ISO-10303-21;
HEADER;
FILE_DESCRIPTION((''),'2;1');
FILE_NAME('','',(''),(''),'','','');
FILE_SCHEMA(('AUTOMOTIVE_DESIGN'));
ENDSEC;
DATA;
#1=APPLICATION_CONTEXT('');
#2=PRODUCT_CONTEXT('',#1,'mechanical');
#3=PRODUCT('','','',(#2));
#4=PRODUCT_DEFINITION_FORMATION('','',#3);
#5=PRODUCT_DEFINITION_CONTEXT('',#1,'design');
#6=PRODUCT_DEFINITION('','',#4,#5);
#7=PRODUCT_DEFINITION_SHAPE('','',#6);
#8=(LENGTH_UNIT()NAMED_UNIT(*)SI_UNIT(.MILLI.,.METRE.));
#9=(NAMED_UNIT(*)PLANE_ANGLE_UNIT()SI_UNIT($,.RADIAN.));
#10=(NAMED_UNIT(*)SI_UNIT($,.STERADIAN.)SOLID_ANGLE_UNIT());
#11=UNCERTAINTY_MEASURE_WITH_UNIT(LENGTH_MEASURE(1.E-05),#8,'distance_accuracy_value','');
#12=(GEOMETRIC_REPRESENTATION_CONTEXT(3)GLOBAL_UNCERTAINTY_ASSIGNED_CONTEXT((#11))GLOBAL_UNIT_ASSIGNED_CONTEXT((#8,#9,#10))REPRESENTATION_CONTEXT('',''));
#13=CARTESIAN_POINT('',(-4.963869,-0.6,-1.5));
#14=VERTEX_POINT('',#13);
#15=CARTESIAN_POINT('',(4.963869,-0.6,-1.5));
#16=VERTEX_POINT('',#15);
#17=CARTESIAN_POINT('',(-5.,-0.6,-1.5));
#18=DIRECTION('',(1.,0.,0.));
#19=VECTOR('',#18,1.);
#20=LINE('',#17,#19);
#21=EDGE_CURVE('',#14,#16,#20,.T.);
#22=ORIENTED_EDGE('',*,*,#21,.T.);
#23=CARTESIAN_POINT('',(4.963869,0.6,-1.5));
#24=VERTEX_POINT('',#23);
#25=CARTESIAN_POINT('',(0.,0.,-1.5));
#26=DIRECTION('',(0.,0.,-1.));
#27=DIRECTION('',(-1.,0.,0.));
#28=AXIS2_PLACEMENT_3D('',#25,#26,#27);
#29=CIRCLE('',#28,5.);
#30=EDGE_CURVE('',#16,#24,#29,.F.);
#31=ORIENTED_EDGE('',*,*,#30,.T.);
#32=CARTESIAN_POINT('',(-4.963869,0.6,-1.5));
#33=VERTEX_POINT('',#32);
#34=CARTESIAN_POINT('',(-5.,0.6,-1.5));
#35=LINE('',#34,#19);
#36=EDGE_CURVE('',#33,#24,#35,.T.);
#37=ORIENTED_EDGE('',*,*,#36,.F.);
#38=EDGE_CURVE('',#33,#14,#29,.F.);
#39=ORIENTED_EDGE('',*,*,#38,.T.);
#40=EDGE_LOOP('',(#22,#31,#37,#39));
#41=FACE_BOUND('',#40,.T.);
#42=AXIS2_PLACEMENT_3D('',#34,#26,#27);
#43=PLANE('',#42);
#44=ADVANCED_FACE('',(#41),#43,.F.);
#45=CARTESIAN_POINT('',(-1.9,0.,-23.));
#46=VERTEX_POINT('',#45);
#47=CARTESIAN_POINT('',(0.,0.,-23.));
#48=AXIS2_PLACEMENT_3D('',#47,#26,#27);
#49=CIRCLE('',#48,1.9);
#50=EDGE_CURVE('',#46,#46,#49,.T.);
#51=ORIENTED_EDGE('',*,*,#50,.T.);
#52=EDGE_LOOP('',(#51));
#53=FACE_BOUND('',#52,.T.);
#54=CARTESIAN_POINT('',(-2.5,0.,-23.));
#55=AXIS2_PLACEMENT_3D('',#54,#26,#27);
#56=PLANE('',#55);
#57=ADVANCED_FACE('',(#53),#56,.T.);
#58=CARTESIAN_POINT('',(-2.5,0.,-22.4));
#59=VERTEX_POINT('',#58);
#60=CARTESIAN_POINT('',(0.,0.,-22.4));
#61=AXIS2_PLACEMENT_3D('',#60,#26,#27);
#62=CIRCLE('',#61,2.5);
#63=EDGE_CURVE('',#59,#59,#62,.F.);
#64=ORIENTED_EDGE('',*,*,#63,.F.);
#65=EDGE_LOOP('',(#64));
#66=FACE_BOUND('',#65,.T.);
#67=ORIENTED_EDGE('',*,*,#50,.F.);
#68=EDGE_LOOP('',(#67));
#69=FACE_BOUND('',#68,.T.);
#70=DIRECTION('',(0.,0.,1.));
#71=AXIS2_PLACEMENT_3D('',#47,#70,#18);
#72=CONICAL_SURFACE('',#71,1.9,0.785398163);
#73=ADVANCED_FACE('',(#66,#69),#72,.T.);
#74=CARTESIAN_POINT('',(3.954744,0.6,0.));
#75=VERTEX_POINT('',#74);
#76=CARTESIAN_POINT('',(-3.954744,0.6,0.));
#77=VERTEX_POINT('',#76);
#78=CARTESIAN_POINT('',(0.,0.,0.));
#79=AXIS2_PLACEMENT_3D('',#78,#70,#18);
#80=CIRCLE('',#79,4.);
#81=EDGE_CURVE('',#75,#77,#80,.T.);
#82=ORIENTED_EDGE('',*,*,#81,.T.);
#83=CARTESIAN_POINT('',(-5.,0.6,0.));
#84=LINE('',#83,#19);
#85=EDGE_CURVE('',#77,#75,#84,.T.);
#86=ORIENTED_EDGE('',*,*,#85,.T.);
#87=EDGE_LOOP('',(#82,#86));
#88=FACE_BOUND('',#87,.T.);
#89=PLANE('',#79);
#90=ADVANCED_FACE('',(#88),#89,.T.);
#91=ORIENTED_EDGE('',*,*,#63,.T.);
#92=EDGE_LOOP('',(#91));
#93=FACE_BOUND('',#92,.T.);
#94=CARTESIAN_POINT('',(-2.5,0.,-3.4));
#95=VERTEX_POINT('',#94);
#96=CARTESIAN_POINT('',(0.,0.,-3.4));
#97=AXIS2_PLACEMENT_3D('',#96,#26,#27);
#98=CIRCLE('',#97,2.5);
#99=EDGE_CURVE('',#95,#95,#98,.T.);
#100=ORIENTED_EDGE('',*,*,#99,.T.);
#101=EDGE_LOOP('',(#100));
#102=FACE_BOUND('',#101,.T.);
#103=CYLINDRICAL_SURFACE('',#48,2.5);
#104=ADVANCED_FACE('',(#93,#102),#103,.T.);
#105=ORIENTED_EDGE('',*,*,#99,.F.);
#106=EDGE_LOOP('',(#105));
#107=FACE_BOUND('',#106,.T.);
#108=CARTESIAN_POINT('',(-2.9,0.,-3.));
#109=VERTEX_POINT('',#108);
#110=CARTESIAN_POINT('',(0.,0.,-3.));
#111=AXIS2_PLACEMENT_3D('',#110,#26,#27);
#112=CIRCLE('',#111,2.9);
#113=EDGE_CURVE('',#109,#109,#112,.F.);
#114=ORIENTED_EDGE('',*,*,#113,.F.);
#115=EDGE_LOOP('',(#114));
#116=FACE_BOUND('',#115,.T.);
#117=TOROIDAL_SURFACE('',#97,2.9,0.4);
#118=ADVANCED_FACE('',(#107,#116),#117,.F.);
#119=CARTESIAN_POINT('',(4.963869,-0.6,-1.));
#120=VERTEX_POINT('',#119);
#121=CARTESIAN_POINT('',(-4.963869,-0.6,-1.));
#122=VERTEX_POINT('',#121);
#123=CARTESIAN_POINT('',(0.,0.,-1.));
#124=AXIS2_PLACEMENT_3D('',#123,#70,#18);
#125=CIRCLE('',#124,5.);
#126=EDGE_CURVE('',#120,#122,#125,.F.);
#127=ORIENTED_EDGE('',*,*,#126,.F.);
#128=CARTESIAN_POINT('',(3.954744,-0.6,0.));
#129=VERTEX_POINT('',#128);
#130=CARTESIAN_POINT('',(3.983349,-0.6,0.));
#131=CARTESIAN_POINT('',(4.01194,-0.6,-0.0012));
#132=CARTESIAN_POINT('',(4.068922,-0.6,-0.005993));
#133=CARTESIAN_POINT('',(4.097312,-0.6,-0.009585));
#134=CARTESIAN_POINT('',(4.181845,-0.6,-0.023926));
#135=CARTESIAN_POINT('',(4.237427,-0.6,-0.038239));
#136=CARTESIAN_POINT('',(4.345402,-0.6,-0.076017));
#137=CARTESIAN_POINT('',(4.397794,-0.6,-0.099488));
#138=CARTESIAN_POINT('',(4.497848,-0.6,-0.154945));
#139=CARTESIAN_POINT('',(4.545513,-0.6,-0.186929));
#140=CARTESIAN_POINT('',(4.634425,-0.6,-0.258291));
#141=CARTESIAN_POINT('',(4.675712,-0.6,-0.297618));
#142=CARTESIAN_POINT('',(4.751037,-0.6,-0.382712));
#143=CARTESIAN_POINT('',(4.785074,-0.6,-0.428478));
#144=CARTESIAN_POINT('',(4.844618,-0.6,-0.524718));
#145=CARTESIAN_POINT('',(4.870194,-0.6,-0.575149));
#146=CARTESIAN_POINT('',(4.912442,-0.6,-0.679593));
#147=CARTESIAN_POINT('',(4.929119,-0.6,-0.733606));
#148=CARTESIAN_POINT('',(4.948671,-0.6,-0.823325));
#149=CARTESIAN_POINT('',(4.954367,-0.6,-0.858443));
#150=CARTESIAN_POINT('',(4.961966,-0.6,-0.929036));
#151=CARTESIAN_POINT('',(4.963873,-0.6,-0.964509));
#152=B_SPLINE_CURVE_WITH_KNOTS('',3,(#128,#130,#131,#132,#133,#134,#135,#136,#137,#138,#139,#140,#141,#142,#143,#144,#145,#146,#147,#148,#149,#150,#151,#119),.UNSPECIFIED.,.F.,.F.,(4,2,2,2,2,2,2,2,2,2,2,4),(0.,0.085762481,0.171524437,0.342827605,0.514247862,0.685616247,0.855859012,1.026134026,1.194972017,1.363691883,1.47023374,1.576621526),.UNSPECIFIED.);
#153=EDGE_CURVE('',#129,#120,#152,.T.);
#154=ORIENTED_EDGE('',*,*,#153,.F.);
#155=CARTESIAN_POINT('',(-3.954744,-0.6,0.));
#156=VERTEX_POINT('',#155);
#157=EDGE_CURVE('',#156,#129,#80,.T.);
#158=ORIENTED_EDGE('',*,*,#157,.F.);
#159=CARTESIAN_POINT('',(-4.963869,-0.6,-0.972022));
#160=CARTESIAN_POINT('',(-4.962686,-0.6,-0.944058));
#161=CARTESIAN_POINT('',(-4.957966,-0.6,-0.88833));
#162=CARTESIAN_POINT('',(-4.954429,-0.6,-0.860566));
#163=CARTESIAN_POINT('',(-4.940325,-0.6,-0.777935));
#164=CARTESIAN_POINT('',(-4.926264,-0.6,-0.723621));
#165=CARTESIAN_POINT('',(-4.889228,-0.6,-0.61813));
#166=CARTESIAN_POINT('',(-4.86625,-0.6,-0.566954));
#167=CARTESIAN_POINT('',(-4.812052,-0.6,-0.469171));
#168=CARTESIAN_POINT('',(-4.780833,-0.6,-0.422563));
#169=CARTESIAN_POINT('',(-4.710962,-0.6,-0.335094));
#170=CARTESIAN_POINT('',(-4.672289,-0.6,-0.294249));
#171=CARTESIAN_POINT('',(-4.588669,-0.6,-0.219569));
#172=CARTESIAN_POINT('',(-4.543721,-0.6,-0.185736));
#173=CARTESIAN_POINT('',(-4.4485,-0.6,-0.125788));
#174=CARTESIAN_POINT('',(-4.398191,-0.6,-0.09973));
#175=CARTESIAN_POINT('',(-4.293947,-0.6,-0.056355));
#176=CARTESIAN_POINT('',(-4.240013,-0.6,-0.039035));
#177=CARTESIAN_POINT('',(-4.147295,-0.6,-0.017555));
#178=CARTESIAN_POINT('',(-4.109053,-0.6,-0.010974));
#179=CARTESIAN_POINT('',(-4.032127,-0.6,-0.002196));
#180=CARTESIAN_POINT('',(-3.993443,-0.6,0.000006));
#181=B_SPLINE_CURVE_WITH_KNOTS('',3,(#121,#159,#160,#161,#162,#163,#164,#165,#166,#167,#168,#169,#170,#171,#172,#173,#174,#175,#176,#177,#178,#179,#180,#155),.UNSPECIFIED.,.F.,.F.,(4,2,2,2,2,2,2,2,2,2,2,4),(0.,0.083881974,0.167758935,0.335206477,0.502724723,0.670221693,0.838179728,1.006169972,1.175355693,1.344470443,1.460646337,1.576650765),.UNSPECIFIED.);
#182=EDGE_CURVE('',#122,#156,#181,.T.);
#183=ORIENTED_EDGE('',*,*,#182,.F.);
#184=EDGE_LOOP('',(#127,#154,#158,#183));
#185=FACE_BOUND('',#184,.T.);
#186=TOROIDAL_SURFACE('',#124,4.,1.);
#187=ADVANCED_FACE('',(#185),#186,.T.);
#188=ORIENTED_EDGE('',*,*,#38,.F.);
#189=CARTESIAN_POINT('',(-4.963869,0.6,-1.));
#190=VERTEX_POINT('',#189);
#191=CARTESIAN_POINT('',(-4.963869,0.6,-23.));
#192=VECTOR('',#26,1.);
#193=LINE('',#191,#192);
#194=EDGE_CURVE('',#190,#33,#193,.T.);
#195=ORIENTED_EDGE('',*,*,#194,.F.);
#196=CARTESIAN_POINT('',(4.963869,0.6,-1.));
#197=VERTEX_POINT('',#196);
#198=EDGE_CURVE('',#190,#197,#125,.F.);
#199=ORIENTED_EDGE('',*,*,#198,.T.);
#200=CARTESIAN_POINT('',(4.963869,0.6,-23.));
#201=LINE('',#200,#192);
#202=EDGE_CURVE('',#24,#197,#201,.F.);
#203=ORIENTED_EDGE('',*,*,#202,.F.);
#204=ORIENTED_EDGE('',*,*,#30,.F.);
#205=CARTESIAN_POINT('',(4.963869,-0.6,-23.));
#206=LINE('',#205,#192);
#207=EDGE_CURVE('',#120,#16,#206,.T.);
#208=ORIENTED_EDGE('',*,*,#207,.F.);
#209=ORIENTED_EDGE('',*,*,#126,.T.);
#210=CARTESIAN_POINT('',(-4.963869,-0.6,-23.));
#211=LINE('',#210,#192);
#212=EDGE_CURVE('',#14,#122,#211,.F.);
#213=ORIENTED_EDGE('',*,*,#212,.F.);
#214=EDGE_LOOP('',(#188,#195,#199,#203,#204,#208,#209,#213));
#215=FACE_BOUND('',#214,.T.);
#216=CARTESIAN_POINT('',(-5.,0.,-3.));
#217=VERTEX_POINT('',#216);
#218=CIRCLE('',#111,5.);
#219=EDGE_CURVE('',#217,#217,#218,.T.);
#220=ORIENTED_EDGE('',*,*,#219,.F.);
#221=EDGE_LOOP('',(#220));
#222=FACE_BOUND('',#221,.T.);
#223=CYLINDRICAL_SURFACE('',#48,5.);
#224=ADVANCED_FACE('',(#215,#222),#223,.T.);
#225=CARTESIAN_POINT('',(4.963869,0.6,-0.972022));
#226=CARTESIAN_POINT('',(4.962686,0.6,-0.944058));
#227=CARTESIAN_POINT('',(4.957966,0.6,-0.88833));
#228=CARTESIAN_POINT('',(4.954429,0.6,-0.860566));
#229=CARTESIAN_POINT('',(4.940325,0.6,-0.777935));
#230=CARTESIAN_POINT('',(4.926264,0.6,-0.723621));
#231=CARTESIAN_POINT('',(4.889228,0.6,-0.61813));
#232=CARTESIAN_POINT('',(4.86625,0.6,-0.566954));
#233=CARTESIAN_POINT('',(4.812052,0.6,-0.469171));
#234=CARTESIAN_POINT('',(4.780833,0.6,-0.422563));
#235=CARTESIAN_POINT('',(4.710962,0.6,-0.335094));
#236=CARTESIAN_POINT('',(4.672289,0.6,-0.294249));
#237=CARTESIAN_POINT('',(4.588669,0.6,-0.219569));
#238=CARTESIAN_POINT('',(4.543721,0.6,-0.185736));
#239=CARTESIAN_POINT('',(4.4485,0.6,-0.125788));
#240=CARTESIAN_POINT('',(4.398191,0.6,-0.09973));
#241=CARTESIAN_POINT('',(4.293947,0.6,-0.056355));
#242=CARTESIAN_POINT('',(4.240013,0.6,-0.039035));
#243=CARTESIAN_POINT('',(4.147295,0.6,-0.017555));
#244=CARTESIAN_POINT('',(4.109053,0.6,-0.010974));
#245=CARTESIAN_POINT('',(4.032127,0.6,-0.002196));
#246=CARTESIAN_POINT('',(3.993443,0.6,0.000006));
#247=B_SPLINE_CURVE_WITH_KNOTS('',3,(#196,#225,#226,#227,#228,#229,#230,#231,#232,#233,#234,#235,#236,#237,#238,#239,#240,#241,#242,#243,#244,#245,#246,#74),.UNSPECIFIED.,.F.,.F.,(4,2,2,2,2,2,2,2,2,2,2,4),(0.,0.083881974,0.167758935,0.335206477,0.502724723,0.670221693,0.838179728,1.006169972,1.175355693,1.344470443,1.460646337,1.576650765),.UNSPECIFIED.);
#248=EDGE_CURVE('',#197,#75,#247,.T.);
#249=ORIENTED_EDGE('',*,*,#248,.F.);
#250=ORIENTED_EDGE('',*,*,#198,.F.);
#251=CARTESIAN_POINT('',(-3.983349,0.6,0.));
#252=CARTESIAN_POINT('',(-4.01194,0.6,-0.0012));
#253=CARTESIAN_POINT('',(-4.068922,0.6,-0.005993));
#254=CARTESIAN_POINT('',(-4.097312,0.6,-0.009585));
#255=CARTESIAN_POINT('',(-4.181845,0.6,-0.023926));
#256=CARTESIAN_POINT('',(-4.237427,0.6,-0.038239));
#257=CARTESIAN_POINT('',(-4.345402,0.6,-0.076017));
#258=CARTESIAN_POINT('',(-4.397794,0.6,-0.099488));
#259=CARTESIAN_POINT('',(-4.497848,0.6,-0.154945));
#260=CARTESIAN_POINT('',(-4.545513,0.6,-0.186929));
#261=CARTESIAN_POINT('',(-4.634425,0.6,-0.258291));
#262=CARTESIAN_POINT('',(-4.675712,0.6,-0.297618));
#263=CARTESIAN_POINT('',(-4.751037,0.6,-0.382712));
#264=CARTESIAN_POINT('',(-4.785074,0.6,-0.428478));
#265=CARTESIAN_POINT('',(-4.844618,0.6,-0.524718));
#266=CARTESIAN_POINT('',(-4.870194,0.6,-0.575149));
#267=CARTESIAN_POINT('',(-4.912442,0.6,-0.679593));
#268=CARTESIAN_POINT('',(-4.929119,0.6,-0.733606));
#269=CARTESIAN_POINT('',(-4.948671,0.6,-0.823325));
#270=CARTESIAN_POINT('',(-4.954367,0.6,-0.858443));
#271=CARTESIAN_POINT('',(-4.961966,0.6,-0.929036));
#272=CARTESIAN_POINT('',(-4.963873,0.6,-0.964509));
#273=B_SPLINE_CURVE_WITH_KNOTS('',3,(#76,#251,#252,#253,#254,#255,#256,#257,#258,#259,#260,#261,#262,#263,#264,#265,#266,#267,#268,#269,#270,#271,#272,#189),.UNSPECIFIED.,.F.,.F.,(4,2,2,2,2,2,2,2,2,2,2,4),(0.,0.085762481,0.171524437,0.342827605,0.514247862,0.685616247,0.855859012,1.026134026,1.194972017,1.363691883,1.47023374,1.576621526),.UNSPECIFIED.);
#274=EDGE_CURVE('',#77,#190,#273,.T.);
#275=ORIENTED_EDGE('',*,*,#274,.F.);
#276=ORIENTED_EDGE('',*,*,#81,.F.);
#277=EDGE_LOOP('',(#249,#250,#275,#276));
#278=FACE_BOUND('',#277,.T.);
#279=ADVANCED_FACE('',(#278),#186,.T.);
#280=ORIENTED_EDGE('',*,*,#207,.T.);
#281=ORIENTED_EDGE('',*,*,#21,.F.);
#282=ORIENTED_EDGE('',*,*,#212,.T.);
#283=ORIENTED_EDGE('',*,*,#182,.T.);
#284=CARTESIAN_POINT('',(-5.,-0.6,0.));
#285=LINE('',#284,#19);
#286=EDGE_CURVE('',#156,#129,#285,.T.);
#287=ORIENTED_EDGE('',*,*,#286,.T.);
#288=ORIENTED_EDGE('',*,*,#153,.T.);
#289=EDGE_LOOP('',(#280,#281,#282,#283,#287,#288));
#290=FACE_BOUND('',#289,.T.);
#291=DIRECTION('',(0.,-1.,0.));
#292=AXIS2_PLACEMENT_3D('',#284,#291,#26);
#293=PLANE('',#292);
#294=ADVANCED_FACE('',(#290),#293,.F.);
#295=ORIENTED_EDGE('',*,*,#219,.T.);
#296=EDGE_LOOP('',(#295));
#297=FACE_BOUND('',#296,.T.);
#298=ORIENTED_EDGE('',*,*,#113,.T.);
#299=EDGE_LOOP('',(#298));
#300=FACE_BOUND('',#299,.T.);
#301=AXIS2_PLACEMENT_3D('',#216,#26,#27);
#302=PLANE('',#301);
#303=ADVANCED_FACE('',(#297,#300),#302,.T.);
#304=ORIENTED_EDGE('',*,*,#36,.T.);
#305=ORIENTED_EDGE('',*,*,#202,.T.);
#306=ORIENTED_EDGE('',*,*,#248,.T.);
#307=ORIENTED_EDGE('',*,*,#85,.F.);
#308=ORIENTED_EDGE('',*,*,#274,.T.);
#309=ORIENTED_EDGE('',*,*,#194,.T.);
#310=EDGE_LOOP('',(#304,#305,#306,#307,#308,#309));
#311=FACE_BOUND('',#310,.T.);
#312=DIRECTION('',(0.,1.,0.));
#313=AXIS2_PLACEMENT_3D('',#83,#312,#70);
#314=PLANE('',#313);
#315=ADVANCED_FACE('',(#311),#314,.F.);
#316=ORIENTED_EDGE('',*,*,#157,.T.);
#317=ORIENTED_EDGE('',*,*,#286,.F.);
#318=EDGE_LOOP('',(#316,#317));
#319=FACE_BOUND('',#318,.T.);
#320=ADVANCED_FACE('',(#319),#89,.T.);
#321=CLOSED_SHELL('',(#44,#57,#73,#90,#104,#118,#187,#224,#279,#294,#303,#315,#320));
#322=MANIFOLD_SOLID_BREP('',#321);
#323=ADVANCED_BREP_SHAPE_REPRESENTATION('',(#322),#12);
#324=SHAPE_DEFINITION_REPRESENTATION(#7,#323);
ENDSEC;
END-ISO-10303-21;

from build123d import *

# Parameters (mm, degrees)
SKETCH_2_W               = 1.5
SKETCH_2_H               = 1.2
CUT_EXTRUDE_1_DEPTH      = 6
CUT_EXTRUDE_1_DEPTH_BACK = 6
CHAMFER_1_SIZE           = 0.6
FILLET_1_R               = 1
FILLET_2_R               = 0.4


with BuildPart() as part:
    # Эскиз1 → Повернуть1 (revolve)
    with BuildSketch(Plane(origin=(0, 0, 0), x_dir=(1, 0, 0), z_dir=(0, 1, 0))):
        Polygon((0, 0), (-5, 0), (-5, 3), (-2.5, 3), (-2.5, 23), (0, 23), align=None)
    revolve(axis=Axis((0, 0, -23), (0, 0, 1)))

    # Эскиз2 → Вырез-Вытянуть1 (cut, two sides)
    with BuildSketch(Plane(origin=(0, 0, 0), x_dir=(0, 0, -1), z_dir=(1, 0, 0))) as cut_extrude_1_sk:
        with Locations((0.75, 0)):
            Rectangle(SKETCH_2_W, SKETCH_2_H)
    extrude(amount=CUT_EXTRUDE_1_DEPTH, mode=Mode.SUBTRACT)
    extrude(cut_extrude_1_sk.sketch, amount=-CUT_EXTRUDE_1_DEPTH_BACK, mode=Mode.SUBTRACT)

    # Фаска1
    chamfer_1_edges = [part.edges().sort_by_distance(p)[0] for p in [
        (2.5, 0, -23),
    ]]
    chamfer(chamfer_1_edges, length=CHAMFER_1_SIZE)

    # Скругление1
    fillet_1_edges = [part.edges().sort_by_distance(p)[0] for p in [
        (0, 5, 0),
        (0, -5, 0),
    ]]
    fillet(fillet_1_edges, radius=FILLET_1_R)

    # Скругление2
    fillet_2_edges = [part.edges().sort_by_distance(p)[0] for p in [
        (2.5, 0, -3),
    ]]
    fillet(fillet_2_edges, radius=FILLET_2_R)


solid = part.part
